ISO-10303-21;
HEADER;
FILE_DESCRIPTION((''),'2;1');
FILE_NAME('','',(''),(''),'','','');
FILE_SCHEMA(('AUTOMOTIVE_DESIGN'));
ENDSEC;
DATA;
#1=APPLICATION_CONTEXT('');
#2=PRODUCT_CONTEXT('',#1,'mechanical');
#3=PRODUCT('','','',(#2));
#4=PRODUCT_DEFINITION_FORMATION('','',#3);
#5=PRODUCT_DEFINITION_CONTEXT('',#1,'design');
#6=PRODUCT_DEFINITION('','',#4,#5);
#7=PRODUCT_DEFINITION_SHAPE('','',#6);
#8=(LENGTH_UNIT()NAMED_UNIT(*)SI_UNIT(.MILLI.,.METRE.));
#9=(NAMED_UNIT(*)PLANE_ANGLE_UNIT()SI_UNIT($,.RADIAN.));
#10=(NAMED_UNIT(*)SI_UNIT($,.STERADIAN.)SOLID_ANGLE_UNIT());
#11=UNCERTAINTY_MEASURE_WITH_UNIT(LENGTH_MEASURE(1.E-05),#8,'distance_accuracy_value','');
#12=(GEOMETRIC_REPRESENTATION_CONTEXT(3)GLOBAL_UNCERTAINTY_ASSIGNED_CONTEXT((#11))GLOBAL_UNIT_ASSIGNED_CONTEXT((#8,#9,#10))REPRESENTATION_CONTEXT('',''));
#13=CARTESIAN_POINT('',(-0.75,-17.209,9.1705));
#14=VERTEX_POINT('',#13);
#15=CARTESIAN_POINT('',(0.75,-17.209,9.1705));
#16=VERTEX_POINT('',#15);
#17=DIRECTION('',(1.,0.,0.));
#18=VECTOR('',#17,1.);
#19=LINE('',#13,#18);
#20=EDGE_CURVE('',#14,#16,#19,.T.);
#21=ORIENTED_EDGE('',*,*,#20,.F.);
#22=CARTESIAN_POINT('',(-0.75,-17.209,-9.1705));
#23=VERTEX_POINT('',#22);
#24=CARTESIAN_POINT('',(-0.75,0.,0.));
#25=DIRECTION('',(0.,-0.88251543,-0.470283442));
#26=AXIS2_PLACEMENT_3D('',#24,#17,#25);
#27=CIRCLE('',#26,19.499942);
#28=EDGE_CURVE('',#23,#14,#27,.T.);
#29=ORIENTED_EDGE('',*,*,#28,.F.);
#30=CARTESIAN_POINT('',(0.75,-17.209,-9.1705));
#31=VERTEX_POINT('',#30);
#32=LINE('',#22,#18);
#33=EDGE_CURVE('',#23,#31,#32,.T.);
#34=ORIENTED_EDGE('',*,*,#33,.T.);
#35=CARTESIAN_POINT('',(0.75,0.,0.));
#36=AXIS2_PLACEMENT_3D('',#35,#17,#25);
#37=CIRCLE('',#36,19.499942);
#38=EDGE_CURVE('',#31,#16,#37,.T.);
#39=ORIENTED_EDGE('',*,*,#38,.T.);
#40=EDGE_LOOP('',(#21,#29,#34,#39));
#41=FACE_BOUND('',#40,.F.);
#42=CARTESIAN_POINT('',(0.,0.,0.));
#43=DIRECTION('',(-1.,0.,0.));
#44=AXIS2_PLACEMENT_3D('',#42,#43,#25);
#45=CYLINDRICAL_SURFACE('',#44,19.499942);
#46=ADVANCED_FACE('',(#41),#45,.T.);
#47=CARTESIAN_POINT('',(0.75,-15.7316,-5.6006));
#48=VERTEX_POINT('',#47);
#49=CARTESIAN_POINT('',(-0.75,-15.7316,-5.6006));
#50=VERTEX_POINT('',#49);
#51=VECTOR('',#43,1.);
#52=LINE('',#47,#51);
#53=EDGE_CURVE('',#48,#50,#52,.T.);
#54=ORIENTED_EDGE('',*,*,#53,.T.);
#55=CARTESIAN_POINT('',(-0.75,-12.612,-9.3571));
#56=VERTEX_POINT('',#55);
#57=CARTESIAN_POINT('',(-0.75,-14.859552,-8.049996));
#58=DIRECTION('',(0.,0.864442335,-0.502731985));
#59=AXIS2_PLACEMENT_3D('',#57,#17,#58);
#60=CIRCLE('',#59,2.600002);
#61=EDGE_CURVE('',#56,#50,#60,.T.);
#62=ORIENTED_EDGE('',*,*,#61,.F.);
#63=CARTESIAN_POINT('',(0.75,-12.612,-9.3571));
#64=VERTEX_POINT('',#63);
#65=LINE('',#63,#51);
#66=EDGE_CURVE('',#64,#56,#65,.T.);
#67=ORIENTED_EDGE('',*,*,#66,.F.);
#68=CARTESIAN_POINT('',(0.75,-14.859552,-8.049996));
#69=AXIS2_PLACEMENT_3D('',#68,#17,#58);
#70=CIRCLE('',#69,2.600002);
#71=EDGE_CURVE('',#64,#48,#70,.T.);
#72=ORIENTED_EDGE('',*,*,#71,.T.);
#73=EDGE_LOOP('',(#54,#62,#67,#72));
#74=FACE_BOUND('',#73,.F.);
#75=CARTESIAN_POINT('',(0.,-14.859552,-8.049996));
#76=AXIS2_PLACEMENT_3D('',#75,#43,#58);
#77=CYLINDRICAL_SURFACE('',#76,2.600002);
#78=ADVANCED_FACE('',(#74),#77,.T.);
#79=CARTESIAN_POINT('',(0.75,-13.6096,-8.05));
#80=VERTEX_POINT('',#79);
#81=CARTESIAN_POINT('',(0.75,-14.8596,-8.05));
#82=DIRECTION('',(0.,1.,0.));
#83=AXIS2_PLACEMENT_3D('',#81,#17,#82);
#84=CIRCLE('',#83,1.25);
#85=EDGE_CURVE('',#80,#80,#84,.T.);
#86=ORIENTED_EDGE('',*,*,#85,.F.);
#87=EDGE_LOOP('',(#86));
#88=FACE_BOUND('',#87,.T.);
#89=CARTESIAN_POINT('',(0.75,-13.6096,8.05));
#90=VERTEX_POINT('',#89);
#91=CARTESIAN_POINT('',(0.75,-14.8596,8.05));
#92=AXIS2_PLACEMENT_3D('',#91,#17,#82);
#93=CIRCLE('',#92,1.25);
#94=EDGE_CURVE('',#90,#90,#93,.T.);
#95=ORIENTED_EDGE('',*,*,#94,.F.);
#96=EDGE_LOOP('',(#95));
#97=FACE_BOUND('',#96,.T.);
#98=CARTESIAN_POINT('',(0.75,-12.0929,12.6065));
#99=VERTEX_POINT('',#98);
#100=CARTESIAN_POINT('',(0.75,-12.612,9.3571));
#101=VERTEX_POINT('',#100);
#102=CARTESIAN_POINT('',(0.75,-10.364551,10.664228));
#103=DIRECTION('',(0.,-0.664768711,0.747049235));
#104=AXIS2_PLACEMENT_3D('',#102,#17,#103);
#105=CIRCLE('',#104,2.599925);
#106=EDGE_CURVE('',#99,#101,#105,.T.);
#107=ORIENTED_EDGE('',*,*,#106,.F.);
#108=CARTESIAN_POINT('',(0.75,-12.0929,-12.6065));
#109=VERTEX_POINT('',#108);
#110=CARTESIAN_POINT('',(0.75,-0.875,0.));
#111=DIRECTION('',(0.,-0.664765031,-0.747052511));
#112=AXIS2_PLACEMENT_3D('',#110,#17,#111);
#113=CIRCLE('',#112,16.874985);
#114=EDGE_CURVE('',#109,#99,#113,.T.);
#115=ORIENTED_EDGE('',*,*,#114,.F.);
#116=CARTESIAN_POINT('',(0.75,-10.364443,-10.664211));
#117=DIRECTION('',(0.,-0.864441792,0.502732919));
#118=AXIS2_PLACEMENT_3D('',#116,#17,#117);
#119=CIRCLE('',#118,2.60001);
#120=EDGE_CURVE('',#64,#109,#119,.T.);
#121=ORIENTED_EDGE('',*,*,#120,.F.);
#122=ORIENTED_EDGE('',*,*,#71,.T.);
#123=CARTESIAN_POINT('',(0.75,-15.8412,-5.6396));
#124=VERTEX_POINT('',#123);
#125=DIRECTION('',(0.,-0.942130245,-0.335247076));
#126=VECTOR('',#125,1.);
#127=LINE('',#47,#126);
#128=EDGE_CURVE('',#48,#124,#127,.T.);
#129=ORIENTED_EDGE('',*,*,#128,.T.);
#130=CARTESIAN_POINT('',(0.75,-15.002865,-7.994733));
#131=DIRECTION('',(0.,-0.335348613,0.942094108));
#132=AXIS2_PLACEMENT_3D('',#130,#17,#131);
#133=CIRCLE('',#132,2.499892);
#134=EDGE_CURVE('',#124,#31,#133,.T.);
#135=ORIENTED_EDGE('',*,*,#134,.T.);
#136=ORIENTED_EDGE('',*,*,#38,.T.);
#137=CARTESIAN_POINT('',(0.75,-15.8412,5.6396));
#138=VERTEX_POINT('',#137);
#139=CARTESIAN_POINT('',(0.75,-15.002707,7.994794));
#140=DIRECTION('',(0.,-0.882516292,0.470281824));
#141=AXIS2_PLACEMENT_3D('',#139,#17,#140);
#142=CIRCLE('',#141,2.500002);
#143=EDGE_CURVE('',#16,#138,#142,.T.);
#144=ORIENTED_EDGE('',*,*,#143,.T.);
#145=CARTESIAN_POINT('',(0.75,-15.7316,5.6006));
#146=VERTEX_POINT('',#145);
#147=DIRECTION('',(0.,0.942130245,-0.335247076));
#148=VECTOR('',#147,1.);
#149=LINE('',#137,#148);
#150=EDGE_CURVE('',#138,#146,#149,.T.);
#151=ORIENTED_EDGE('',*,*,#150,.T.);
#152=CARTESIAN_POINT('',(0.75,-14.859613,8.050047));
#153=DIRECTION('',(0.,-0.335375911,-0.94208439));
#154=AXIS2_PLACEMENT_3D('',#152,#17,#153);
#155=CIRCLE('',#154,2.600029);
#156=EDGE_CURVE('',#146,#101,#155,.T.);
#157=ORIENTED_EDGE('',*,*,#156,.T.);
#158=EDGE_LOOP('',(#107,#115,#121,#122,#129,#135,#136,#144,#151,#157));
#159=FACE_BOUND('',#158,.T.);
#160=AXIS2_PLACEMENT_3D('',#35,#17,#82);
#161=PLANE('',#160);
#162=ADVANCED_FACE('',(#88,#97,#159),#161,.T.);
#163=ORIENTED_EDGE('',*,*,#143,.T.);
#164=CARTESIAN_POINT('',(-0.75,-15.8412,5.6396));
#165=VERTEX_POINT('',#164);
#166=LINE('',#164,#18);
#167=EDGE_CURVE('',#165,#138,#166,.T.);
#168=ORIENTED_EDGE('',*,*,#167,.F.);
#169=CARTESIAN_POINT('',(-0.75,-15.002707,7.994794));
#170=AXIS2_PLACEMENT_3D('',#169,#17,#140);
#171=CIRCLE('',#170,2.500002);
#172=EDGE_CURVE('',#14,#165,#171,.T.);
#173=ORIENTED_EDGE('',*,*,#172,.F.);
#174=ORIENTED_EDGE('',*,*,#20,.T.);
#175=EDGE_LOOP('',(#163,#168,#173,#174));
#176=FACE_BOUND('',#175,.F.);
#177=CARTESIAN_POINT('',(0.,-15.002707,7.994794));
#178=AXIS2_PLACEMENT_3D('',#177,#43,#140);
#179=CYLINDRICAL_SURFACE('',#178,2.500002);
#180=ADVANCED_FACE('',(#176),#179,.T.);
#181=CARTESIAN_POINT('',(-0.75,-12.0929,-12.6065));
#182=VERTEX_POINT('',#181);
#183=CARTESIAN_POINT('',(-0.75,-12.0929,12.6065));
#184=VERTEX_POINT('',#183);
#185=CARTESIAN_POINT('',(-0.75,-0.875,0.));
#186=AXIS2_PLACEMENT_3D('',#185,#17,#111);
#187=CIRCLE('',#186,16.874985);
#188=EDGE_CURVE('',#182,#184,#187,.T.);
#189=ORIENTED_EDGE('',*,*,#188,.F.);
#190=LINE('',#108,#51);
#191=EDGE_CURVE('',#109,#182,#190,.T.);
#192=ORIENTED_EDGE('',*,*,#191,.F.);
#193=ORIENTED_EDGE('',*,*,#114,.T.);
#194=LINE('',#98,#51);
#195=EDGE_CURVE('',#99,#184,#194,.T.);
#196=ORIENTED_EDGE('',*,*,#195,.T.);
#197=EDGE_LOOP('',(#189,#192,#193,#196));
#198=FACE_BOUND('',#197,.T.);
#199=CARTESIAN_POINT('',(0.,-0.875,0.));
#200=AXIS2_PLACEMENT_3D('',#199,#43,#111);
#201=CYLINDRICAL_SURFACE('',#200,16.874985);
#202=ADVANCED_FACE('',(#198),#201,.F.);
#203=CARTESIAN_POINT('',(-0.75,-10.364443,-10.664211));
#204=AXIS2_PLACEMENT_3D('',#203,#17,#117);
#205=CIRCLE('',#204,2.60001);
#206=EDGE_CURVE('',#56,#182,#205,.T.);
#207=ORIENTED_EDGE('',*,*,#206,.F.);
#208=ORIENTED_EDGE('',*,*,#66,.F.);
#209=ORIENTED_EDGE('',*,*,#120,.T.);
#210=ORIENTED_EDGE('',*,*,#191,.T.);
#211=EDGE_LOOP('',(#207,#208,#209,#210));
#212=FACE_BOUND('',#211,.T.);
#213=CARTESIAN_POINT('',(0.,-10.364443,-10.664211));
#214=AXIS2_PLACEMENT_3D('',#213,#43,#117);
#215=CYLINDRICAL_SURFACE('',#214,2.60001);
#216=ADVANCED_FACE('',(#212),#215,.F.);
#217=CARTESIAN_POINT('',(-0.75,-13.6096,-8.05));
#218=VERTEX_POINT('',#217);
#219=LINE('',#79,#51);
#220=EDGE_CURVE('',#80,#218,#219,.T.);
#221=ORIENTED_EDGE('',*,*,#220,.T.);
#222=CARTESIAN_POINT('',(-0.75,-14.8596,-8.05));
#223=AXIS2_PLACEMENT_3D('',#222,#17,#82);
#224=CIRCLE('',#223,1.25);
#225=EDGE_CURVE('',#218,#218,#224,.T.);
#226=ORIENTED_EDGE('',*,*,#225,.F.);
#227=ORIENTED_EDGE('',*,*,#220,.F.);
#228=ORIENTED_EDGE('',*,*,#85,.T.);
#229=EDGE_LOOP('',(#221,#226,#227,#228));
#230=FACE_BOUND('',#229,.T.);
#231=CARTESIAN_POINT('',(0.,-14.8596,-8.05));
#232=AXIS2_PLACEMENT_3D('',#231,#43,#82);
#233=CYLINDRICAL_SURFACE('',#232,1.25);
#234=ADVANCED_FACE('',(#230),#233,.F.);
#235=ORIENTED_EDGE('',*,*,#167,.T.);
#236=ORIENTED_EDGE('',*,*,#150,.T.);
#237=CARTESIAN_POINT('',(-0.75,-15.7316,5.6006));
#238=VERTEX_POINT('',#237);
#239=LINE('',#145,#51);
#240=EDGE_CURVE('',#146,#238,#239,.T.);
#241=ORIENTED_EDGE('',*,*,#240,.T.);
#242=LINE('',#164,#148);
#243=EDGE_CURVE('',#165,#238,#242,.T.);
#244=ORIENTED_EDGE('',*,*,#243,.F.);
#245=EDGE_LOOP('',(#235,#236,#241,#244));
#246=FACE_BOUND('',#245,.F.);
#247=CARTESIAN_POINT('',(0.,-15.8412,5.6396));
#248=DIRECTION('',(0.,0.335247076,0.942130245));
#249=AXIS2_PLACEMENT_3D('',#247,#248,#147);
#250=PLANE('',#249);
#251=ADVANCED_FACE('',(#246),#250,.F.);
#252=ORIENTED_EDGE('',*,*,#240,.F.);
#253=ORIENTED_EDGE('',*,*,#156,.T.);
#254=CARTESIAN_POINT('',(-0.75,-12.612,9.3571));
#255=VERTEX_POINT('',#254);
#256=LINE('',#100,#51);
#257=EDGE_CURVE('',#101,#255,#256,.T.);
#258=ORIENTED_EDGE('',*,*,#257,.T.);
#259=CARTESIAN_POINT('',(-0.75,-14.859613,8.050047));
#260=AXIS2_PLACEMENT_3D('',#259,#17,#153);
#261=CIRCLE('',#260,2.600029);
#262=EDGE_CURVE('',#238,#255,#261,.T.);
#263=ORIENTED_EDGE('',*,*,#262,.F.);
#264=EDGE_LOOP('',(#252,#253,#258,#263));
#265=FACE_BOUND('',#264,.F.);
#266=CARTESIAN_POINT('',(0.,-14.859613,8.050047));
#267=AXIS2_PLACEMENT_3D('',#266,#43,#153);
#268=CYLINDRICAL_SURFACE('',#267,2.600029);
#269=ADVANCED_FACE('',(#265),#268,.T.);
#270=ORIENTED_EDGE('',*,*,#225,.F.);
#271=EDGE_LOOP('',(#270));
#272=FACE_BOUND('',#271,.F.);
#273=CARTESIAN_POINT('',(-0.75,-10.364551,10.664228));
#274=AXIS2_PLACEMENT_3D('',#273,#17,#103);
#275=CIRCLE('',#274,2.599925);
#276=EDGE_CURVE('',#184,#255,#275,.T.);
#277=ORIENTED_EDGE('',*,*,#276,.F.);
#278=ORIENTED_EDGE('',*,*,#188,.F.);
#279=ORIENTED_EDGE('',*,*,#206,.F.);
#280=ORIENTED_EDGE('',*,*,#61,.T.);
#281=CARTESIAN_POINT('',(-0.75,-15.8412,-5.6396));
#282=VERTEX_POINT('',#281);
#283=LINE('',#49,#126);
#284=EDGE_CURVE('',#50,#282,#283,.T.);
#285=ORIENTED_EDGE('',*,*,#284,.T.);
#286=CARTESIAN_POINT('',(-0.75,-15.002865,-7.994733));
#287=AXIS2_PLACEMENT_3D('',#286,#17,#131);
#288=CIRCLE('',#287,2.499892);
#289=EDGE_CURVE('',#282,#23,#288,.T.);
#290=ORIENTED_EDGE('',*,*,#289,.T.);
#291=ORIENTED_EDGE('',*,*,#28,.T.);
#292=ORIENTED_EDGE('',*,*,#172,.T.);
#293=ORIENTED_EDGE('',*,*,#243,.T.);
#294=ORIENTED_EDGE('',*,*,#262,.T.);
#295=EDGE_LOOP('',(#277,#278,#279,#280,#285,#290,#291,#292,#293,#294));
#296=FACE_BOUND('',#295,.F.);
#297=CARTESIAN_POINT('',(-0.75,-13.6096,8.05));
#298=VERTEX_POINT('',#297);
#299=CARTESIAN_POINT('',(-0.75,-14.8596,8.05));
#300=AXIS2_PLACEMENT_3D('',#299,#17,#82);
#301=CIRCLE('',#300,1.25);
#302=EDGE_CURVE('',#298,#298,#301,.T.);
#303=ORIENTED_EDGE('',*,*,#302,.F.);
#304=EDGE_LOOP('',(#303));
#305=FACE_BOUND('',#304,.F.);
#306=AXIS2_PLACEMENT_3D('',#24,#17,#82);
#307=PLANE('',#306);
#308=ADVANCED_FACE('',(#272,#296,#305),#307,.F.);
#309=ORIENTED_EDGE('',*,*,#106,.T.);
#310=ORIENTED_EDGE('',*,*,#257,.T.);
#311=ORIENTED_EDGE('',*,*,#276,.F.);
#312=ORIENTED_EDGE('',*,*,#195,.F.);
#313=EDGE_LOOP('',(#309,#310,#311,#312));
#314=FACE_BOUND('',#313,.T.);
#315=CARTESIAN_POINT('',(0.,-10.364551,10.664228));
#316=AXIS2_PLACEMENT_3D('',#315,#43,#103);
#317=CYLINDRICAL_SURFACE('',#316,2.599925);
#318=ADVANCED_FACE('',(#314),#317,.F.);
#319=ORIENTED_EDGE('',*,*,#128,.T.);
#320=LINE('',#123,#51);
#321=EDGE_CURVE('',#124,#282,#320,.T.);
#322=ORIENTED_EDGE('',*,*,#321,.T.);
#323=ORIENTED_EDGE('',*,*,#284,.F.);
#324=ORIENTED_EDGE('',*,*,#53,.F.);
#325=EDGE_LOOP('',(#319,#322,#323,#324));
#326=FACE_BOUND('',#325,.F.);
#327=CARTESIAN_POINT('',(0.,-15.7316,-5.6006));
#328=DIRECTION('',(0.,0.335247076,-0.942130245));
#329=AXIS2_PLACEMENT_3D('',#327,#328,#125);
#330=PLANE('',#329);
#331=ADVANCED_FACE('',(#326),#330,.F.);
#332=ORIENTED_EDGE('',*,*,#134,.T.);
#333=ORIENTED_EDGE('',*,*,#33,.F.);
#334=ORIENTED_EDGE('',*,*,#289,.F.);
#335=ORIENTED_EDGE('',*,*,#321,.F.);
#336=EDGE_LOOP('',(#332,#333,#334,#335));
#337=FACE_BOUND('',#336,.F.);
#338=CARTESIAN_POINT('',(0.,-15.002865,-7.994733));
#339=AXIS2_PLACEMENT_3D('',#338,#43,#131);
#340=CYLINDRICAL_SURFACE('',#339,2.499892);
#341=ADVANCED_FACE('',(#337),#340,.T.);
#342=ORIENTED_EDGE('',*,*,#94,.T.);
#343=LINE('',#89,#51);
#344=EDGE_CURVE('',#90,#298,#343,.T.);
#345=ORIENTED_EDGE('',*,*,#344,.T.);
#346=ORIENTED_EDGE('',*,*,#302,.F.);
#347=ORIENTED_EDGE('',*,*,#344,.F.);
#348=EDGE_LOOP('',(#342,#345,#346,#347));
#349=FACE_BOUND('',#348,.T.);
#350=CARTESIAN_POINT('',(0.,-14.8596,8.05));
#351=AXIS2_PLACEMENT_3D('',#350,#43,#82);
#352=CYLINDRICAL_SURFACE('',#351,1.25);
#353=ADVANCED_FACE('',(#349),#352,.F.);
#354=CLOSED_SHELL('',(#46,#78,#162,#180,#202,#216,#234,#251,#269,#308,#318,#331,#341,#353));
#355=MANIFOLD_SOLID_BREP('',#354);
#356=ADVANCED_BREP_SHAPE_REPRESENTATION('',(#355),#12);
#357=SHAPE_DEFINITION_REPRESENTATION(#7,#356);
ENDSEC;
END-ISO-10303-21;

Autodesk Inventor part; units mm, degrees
sketch "Sketch_3" plane through (0, 0, 0) normal (1, 0, 0) x (0, 1, 0)
  arc A0 (-17.209, -9.1705) -> (-17.209, 9.1705) centre (0, 0) ccw
  arc A1 (-17.209, 9.1705) -> (-15.8412, 5.6396) centre (-15.0028, 7.9948) ccw
  line L0 (-15.8412, 5.6396) -> (-15.7316, 5.6006)
  arc A2 (-15.7316, 5.6006) -> (-12.612, 9.3571) centre (-14.8596, 8.05) ccw
  arc A3 (-12.0929, 12.6065) -> (-12.612, 9.3571) centre (-10.3645, 10.6642) ccw
  arc A4 (-12.0929, -12.6065) -> (-12.0929, 12.6065) centre (-0.875, 0) ccw
  arc A5 (-12.612, -9.3571) -> (-12.0929, -12.6065) centre (-10.3645, -10.6642) ccw
  arc A6 (-12.612, -9.3571) -> (-15.7316, -5.6006) centre (-14.8596, -8.05) ccw
  line L1 (-15.7316, -5.6006) -> (-15.8412, -5.6396)
  arc A7 (-15.8412, -5.6396) -> (-17.209, -9.1705) centre (-15.0028, -7.9948) ccw
  circle A8 centre (-14.8596, -8.05) radius 1.25
  circle A9 centre (-14.8596, 8.05) radius 1.25
extrude "Extrusion1" add sketch "Sketch_3" along normal mid plane 1.5
ref_plane "rr_XY" through (-0.75, 0, 0) normal (1, 0, 0) x (0, 0, -1)
ref_plane "rr_YZ" through (-0.75, 0, 0) normal (0, 0, -1) x (0, 1, 0)
ref_plane "rr_ZX" through (-0.75, 0, 0) normal (0, 1, 0) x (1, 0, 0)
properties part number "RRING-C-INT-37"
